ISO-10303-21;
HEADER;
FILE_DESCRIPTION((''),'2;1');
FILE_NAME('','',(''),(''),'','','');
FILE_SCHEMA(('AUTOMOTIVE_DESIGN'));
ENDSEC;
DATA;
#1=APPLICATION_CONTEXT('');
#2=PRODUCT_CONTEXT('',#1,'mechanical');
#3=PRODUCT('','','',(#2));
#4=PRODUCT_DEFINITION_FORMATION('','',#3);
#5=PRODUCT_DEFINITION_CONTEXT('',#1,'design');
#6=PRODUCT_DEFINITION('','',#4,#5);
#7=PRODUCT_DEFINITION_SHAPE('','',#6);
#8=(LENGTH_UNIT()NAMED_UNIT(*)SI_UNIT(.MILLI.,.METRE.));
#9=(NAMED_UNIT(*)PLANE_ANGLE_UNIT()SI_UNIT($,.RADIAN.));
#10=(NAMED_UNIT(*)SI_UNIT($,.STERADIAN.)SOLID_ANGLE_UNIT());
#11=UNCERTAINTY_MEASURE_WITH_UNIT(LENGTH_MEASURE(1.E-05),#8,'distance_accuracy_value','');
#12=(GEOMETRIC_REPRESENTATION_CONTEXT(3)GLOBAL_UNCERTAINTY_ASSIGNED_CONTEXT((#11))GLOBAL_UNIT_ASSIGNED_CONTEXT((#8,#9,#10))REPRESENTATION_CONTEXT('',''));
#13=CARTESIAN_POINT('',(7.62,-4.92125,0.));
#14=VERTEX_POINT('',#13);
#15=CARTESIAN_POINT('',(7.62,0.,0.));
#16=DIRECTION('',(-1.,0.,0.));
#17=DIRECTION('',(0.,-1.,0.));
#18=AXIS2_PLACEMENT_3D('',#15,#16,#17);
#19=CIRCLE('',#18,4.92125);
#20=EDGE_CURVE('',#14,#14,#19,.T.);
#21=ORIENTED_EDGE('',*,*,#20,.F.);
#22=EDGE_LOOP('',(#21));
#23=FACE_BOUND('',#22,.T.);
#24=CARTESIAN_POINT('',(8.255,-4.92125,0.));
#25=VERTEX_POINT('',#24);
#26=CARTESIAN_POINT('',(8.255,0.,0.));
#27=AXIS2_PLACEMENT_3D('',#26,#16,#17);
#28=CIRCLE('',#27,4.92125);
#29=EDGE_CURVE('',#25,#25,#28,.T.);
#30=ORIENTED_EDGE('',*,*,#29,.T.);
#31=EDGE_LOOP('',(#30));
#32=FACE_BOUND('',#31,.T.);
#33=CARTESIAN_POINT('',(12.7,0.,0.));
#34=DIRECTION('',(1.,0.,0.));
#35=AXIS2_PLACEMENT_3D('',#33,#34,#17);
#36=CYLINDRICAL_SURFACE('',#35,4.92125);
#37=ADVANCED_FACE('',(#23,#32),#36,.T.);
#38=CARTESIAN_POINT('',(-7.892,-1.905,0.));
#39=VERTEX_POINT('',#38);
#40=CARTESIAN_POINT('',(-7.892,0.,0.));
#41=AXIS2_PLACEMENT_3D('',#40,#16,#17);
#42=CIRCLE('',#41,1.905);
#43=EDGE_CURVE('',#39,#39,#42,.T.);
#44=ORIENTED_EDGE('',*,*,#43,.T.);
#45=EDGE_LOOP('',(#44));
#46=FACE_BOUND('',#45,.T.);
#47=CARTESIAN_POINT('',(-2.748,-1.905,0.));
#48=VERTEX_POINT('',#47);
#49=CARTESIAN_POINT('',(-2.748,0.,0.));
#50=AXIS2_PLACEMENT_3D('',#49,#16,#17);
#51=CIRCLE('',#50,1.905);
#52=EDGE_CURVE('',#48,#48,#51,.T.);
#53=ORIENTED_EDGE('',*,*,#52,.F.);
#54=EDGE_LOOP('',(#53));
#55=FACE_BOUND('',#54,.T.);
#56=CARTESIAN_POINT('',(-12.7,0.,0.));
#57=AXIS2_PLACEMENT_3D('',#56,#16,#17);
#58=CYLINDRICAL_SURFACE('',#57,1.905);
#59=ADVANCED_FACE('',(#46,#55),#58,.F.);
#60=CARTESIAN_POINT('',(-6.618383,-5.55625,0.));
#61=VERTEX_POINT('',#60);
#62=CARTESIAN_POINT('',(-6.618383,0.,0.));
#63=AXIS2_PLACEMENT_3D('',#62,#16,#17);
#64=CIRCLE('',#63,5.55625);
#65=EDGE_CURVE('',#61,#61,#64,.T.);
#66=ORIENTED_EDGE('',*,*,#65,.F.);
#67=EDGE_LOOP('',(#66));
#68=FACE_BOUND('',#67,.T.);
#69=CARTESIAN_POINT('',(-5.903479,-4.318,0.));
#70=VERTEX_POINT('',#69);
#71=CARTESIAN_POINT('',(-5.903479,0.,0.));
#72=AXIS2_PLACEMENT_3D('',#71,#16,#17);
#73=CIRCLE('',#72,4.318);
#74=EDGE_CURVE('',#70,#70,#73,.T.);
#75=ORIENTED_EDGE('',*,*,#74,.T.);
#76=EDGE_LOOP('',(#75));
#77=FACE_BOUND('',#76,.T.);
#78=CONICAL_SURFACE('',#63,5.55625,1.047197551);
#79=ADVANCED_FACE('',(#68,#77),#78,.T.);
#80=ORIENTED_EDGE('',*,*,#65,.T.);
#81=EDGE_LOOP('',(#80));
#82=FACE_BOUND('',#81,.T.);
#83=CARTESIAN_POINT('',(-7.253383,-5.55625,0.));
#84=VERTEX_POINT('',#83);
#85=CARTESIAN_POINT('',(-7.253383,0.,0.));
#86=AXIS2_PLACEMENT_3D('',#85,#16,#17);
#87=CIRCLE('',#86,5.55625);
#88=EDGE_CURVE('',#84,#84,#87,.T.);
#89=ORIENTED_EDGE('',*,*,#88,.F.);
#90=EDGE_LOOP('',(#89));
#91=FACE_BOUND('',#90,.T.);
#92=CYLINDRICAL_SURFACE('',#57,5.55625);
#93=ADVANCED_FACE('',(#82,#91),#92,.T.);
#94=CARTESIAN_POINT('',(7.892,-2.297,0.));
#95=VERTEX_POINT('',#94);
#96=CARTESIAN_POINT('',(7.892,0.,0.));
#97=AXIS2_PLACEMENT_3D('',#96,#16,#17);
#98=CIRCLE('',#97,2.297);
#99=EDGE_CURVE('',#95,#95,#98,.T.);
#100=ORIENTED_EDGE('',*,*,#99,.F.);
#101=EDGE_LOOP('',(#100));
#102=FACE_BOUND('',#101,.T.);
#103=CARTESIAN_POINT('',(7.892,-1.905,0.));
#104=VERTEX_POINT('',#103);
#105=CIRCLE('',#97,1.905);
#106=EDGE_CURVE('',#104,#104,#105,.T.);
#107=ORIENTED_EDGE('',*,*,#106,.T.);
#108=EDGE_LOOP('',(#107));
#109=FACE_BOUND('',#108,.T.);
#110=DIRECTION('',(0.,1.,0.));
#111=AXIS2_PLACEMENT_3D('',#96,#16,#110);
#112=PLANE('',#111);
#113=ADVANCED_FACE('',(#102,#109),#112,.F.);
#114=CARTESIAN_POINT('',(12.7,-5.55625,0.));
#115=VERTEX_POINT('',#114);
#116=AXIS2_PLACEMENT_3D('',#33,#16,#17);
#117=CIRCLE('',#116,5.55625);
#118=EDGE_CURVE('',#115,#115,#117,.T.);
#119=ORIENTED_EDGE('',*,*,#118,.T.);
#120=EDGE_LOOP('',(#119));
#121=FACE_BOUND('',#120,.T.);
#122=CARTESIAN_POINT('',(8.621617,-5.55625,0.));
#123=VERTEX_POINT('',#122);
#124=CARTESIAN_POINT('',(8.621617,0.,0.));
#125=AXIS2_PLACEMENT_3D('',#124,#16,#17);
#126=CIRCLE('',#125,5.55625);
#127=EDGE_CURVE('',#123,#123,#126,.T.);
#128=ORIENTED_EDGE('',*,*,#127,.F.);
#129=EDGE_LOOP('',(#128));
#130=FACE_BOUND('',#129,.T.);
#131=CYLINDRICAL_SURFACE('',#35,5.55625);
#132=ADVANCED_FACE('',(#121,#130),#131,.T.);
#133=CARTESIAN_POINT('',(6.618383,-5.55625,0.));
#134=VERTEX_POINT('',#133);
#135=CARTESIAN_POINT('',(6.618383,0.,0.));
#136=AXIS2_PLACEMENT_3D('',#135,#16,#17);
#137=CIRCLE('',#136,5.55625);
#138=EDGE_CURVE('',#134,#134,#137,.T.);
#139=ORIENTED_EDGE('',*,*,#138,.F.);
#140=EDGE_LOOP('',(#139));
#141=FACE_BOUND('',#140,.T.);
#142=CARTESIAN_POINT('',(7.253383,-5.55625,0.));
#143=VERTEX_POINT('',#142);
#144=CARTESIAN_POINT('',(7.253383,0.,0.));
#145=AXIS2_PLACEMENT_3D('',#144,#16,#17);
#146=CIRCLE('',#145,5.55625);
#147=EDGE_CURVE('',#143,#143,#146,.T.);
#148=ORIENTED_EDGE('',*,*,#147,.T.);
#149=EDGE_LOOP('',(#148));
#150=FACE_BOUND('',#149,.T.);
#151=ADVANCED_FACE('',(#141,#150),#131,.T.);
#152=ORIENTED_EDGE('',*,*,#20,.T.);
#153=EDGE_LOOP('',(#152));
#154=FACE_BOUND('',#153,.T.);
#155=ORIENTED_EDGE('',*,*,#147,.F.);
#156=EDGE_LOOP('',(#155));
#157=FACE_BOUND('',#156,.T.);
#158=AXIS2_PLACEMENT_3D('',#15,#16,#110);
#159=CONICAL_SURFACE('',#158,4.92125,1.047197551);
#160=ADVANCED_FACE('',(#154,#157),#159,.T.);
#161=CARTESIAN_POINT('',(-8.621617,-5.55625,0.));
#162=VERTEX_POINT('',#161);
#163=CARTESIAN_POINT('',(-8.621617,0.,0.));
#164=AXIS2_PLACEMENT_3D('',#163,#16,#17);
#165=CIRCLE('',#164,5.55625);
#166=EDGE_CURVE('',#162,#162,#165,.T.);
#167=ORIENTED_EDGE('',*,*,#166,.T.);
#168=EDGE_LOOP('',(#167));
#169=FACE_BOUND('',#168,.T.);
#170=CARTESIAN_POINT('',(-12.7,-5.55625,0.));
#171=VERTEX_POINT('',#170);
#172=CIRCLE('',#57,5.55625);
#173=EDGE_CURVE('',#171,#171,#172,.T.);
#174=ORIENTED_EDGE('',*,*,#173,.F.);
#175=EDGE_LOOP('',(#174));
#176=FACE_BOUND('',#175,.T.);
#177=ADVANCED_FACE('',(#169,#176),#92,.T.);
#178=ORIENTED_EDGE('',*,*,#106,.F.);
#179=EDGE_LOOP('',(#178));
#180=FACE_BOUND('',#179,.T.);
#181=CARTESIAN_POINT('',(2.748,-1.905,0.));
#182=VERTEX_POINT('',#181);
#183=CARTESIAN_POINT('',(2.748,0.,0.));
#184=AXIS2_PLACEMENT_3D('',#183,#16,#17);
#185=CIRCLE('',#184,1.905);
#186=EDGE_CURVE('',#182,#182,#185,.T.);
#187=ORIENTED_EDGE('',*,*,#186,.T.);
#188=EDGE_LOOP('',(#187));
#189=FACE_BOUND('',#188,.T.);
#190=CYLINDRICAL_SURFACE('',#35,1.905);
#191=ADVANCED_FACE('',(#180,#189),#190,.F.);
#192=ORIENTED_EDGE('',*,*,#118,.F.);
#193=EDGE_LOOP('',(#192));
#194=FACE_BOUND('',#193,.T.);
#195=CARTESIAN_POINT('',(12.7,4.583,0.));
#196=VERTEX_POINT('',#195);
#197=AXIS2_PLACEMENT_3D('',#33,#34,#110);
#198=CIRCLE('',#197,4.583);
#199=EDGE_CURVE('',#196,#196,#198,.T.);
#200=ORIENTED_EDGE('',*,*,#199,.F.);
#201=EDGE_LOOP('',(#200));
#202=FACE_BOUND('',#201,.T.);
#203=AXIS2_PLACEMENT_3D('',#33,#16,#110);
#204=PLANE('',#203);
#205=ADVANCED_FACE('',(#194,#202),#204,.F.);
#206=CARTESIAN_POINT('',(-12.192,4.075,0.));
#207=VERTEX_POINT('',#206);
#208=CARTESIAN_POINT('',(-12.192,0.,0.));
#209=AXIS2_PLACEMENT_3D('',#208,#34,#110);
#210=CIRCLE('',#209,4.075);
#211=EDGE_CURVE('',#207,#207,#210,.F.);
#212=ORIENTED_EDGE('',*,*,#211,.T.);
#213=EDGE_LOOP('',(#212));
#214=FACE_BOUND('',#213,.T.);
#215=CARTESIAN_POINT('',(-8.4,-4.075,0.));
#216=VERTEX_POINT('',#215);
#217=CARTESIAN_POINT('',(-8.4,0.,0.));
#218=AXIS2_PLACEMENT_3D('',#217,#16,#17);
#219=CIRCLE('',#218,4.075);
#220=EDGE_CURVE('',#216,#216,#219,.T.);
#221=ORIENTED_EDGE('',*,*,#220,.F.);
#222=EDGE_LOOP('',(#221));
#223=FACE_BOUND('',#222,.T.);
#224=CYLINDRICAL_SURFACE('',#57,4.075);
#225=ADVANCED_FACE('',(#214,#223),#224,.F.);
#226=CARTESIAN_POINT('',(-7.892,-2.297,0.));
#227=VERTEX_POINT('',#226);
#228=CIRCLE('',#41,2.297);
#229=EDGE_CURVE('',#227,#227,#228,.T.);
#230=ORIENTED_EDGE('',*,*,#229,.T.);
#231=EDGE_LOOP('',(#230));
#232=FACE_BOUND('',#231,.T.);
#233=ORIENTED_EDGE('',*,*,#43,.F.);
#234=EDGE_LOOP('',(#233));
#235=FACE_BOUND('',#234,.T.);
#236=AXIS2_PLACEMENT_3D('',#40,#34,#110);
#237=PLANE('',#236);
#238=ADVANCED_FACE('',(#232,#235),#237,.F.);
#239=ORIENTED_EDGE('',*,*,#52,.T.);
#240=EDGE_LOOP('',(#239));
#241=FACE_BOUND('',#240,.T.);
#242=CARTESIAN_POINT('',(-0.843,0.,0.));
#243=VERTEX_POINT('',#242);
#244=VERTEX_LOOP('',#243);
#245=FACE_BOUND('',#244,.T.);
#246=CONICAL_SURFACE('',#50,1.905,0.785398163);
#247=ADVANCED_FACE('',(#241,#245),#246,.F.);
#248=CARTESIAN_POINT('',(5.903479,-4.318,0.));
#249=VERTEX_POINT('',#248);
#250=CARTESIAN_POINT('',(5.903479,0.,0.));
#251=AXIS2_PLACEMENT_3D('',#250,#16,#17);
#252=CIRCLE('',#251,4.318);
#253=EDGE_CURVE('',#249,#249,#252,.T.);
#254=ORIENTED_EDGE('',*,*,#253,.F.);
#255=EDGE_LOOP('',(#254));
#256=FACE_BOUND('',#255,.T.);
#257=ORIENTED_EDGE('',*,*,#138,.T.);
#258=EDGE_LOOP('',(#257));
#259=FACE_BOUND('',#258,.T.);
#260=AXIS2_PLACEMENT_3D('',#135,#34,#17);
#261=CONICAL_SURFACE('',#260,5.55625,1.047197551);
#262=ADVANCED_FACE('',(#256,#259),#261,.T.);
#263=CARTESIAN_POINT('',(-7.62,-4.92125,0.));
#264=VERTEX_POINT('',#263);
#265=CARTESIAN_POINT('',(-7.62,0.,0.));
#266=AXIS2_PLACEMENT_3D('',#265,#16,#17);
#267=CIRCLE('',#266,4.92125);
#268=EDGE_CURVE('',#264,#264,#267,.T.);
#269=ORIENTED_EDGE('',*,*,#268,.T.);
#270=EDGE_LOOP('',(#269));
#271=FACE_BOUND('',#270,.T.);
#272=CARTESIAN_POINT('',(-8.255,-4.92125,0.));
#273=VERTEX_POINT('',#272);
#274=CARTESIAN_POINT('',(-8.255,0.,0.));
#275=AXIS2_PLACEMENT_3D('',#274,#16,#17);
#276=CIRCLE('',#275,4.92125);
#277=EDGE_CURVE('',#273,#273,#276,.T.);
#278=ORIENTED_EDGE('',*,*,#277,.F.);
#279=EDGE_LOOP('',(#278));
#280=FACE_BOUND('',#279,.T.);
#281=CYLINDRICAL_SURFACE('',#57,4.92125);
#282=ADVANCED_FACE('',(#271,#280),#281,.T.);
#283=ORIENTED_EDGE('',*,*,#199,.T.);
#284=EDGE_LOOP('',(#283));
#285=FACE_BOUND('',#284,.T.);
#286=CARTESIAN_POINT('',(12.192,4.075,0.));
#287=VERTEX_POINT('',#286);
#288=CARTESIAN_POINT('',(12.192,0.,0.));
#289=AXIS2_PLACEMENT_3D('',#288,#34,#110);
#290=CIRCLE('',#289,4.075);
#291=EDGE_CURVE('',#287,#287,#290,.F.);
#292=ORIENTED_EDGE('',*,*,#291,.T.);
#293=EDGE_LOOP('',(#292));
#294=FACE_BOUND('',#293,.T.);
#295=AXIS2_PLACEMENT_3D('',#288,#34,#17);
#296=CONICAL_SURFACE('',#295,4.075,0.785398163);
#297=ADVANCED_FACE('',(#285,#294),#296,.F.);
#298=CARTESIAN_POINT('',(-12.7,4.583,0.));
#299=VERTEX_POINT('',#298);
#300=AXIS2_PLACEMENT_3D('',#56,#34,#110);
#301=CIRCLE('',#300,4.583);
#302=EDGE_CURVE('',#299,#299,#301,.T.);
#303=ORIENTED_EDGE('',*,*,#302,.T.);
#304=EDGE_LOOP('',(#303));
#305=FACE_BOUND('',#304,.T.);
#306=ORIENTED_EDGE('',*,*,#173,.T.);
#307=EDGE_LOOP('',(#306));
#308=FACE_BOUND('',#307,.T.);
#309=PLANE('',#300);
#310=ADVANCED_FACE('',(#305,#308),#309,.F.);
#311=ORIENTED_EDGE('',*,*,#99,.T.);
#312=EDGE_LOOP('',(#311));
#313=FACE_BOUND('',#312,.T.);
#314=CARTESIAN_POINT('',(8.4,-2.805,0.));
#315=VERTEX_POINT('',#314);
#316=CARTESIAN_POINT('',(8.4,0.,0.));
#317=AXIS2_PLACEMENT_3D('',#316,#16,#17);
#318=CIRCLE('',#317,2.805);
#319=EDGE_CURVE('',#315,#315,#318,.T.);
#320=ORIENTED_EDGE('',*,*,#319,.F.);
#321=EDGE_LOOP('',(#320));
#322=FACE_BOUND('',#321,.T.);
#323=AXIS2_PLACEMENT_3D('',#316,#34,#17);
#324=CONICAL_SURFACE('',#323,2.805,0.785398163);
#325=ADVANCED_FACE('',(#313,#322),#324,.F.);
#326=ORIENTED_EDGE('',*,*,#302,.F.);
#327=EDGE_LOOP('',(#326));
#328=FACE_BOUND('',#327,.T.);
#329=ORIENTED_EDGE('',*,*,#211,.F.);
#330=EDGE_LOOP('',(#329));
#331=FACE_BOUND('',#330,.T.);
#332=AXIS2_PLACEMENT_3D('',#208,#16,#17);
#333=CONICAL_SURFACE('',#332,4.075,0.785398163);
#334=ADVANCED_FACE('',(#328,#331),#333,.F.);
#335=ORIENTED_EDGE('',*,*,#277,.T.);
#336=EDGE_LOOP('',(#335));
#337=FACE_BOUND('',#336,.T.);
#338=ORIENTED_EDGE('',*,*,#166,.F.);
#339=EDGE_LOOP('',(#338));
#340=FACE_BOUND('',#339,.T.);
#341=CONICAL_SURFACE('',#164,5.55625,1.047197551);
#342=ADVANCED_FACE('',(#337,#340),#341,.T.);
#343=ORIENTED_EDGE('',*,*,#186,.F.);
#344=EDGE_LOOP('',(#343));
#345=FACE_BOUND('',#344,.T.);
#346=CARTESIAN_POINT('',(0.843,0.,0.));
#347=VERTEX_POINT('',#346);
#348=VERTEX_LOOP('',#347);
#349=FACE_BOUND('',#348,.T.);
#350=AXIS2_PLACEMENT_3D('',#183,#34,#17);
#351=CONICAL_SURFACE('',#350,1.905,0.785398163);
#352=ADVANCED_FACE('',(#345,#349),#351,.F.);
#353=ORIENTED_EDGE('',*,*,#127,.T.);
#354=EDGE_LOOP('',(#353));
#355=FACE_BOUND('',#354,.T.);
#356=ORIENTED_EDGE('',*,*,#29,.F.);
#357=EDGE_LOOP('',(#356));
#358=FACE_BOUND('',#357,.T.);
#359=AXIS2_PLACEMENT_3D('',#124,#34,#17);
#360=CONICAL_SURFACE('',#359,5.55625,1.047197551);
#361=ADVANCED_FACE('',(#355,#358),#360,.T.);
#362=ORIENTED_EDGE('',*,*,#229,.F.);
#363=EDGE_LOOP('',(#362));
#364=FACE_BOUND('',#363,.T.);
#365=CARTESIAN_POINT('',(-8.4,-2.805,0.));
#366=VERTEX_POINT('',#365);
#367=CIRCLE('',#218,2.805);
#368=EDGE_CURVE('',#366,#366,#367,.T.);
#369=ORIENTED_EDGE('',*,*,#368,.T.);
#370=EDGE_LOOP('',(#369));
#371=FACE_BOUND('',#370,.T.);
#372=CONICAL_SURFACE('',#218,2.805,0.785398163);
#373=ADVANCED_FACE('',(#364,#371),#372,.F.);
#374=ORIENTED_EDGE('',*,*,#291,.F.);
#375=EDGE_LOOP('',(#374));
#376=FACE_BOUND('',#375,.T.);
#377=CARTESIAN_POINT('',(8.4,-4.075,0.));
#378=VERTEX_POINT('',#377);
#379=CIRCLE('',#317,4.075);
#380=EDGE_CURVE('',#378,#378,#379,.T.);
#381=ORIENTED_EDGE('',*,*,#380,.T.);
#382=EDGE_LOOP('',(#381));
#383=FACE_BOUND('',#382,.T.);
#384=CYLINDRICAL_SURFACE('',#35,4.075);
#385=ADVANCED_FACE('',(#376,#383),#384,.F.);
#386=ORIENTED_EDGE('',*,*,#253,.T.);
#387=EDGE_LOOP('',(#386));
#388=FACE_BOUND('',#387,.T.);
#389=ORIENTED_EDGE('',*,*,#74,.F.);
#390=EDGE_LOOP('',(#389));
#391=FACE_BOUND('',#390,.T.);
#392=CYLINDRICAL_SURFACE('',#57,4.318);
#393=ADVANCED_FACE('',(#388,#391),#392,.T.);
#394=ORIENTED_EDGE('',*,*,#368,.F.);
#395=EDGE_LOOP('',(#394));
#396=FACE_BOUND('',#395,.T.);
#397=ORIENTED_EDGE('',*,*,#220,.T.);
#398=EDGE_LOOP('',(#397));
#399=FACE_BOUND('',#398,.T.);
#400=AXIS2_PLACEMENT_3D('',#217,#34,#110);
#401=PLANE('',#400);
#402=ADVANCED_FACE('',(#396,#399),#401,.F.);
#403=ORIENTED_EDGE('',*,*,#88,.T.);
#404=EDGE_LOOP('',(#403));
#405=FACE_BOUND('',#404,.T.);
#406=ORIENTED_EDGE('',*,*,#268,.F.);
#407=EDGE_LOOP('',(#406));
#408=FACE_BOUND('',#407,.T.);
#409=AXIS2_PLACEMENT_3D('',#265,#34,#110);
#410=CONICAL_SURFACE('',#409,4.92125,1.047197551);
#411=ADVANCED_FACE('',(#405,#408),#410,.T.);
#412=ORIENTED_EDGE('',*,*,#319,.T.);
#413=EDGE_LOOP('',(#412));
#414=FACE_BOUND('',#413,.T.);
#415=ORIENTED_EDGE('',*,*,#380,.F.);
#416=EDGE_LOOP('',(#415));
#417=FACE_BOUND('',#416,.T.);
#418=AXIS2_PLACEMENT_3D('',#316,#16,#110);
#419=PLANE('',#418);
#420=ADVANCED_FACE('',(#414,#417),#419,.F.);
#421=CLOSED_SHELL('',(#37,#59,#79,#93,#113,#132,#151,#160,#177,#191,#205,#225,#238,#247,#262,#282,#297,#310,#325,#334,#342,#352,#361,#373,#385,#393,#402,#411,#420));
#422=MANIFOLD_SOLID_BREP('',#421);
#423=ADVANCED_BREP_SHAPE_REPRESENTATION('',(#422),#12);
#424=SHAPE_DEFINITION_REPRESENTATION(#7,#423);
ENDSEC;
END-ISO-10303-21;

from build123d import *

# Parameters (mm, degrees)
CHAMFER1_SIZE = 0.508


with BuildPart() as part:
    # Sketch2 → Revolve1 (revolve)
    with BuildSketch(Plane.XY, mode=Mode.PRIVATE) as revolve1_sk:
        Polygon((-8.621617421, 5.55625), (-12.7, 5.55625), (-12.7, 4.075), (-8.399999964, 4.075), (-8.399999964, 2.805), (-7.891999964, 2.297), (-7.891999964, 1.905), (-2.748, 1.905), (-0.843, 0), (0, 0), (0, 4.318), (-5.903478608, 4.318), (-6.618382579, 5.55625), (-7.253382579, 5.55625), (-7.62, 4.92125), (-8.255, 4.92125), align=None)
    revolve(revolve1_sk.sketch.rotate(Axis((-12.7, 0, 0), (1, 0, 0)), 180), axis=Axis((-12.7, 0, 0), (1, 0, 0)))

    # Chamfer1
    chamfer1_edges = [part.edges().sort_by_distance(p)[0] for p in [
        (-12.7, 4.075, 0),
    ]]
    chamfer(chamfer1_edges, length=CHAMFER1_SIZE)

    # Mirror1: part across plane


with BuildPart() as part_1:
    add(part.part)
    add(part.part.mirror(Plane(origin=(0, 0, 0), x_dir=(0, 0, 1), z_dir=(1, 0, 0))))


solid = part_1.part
